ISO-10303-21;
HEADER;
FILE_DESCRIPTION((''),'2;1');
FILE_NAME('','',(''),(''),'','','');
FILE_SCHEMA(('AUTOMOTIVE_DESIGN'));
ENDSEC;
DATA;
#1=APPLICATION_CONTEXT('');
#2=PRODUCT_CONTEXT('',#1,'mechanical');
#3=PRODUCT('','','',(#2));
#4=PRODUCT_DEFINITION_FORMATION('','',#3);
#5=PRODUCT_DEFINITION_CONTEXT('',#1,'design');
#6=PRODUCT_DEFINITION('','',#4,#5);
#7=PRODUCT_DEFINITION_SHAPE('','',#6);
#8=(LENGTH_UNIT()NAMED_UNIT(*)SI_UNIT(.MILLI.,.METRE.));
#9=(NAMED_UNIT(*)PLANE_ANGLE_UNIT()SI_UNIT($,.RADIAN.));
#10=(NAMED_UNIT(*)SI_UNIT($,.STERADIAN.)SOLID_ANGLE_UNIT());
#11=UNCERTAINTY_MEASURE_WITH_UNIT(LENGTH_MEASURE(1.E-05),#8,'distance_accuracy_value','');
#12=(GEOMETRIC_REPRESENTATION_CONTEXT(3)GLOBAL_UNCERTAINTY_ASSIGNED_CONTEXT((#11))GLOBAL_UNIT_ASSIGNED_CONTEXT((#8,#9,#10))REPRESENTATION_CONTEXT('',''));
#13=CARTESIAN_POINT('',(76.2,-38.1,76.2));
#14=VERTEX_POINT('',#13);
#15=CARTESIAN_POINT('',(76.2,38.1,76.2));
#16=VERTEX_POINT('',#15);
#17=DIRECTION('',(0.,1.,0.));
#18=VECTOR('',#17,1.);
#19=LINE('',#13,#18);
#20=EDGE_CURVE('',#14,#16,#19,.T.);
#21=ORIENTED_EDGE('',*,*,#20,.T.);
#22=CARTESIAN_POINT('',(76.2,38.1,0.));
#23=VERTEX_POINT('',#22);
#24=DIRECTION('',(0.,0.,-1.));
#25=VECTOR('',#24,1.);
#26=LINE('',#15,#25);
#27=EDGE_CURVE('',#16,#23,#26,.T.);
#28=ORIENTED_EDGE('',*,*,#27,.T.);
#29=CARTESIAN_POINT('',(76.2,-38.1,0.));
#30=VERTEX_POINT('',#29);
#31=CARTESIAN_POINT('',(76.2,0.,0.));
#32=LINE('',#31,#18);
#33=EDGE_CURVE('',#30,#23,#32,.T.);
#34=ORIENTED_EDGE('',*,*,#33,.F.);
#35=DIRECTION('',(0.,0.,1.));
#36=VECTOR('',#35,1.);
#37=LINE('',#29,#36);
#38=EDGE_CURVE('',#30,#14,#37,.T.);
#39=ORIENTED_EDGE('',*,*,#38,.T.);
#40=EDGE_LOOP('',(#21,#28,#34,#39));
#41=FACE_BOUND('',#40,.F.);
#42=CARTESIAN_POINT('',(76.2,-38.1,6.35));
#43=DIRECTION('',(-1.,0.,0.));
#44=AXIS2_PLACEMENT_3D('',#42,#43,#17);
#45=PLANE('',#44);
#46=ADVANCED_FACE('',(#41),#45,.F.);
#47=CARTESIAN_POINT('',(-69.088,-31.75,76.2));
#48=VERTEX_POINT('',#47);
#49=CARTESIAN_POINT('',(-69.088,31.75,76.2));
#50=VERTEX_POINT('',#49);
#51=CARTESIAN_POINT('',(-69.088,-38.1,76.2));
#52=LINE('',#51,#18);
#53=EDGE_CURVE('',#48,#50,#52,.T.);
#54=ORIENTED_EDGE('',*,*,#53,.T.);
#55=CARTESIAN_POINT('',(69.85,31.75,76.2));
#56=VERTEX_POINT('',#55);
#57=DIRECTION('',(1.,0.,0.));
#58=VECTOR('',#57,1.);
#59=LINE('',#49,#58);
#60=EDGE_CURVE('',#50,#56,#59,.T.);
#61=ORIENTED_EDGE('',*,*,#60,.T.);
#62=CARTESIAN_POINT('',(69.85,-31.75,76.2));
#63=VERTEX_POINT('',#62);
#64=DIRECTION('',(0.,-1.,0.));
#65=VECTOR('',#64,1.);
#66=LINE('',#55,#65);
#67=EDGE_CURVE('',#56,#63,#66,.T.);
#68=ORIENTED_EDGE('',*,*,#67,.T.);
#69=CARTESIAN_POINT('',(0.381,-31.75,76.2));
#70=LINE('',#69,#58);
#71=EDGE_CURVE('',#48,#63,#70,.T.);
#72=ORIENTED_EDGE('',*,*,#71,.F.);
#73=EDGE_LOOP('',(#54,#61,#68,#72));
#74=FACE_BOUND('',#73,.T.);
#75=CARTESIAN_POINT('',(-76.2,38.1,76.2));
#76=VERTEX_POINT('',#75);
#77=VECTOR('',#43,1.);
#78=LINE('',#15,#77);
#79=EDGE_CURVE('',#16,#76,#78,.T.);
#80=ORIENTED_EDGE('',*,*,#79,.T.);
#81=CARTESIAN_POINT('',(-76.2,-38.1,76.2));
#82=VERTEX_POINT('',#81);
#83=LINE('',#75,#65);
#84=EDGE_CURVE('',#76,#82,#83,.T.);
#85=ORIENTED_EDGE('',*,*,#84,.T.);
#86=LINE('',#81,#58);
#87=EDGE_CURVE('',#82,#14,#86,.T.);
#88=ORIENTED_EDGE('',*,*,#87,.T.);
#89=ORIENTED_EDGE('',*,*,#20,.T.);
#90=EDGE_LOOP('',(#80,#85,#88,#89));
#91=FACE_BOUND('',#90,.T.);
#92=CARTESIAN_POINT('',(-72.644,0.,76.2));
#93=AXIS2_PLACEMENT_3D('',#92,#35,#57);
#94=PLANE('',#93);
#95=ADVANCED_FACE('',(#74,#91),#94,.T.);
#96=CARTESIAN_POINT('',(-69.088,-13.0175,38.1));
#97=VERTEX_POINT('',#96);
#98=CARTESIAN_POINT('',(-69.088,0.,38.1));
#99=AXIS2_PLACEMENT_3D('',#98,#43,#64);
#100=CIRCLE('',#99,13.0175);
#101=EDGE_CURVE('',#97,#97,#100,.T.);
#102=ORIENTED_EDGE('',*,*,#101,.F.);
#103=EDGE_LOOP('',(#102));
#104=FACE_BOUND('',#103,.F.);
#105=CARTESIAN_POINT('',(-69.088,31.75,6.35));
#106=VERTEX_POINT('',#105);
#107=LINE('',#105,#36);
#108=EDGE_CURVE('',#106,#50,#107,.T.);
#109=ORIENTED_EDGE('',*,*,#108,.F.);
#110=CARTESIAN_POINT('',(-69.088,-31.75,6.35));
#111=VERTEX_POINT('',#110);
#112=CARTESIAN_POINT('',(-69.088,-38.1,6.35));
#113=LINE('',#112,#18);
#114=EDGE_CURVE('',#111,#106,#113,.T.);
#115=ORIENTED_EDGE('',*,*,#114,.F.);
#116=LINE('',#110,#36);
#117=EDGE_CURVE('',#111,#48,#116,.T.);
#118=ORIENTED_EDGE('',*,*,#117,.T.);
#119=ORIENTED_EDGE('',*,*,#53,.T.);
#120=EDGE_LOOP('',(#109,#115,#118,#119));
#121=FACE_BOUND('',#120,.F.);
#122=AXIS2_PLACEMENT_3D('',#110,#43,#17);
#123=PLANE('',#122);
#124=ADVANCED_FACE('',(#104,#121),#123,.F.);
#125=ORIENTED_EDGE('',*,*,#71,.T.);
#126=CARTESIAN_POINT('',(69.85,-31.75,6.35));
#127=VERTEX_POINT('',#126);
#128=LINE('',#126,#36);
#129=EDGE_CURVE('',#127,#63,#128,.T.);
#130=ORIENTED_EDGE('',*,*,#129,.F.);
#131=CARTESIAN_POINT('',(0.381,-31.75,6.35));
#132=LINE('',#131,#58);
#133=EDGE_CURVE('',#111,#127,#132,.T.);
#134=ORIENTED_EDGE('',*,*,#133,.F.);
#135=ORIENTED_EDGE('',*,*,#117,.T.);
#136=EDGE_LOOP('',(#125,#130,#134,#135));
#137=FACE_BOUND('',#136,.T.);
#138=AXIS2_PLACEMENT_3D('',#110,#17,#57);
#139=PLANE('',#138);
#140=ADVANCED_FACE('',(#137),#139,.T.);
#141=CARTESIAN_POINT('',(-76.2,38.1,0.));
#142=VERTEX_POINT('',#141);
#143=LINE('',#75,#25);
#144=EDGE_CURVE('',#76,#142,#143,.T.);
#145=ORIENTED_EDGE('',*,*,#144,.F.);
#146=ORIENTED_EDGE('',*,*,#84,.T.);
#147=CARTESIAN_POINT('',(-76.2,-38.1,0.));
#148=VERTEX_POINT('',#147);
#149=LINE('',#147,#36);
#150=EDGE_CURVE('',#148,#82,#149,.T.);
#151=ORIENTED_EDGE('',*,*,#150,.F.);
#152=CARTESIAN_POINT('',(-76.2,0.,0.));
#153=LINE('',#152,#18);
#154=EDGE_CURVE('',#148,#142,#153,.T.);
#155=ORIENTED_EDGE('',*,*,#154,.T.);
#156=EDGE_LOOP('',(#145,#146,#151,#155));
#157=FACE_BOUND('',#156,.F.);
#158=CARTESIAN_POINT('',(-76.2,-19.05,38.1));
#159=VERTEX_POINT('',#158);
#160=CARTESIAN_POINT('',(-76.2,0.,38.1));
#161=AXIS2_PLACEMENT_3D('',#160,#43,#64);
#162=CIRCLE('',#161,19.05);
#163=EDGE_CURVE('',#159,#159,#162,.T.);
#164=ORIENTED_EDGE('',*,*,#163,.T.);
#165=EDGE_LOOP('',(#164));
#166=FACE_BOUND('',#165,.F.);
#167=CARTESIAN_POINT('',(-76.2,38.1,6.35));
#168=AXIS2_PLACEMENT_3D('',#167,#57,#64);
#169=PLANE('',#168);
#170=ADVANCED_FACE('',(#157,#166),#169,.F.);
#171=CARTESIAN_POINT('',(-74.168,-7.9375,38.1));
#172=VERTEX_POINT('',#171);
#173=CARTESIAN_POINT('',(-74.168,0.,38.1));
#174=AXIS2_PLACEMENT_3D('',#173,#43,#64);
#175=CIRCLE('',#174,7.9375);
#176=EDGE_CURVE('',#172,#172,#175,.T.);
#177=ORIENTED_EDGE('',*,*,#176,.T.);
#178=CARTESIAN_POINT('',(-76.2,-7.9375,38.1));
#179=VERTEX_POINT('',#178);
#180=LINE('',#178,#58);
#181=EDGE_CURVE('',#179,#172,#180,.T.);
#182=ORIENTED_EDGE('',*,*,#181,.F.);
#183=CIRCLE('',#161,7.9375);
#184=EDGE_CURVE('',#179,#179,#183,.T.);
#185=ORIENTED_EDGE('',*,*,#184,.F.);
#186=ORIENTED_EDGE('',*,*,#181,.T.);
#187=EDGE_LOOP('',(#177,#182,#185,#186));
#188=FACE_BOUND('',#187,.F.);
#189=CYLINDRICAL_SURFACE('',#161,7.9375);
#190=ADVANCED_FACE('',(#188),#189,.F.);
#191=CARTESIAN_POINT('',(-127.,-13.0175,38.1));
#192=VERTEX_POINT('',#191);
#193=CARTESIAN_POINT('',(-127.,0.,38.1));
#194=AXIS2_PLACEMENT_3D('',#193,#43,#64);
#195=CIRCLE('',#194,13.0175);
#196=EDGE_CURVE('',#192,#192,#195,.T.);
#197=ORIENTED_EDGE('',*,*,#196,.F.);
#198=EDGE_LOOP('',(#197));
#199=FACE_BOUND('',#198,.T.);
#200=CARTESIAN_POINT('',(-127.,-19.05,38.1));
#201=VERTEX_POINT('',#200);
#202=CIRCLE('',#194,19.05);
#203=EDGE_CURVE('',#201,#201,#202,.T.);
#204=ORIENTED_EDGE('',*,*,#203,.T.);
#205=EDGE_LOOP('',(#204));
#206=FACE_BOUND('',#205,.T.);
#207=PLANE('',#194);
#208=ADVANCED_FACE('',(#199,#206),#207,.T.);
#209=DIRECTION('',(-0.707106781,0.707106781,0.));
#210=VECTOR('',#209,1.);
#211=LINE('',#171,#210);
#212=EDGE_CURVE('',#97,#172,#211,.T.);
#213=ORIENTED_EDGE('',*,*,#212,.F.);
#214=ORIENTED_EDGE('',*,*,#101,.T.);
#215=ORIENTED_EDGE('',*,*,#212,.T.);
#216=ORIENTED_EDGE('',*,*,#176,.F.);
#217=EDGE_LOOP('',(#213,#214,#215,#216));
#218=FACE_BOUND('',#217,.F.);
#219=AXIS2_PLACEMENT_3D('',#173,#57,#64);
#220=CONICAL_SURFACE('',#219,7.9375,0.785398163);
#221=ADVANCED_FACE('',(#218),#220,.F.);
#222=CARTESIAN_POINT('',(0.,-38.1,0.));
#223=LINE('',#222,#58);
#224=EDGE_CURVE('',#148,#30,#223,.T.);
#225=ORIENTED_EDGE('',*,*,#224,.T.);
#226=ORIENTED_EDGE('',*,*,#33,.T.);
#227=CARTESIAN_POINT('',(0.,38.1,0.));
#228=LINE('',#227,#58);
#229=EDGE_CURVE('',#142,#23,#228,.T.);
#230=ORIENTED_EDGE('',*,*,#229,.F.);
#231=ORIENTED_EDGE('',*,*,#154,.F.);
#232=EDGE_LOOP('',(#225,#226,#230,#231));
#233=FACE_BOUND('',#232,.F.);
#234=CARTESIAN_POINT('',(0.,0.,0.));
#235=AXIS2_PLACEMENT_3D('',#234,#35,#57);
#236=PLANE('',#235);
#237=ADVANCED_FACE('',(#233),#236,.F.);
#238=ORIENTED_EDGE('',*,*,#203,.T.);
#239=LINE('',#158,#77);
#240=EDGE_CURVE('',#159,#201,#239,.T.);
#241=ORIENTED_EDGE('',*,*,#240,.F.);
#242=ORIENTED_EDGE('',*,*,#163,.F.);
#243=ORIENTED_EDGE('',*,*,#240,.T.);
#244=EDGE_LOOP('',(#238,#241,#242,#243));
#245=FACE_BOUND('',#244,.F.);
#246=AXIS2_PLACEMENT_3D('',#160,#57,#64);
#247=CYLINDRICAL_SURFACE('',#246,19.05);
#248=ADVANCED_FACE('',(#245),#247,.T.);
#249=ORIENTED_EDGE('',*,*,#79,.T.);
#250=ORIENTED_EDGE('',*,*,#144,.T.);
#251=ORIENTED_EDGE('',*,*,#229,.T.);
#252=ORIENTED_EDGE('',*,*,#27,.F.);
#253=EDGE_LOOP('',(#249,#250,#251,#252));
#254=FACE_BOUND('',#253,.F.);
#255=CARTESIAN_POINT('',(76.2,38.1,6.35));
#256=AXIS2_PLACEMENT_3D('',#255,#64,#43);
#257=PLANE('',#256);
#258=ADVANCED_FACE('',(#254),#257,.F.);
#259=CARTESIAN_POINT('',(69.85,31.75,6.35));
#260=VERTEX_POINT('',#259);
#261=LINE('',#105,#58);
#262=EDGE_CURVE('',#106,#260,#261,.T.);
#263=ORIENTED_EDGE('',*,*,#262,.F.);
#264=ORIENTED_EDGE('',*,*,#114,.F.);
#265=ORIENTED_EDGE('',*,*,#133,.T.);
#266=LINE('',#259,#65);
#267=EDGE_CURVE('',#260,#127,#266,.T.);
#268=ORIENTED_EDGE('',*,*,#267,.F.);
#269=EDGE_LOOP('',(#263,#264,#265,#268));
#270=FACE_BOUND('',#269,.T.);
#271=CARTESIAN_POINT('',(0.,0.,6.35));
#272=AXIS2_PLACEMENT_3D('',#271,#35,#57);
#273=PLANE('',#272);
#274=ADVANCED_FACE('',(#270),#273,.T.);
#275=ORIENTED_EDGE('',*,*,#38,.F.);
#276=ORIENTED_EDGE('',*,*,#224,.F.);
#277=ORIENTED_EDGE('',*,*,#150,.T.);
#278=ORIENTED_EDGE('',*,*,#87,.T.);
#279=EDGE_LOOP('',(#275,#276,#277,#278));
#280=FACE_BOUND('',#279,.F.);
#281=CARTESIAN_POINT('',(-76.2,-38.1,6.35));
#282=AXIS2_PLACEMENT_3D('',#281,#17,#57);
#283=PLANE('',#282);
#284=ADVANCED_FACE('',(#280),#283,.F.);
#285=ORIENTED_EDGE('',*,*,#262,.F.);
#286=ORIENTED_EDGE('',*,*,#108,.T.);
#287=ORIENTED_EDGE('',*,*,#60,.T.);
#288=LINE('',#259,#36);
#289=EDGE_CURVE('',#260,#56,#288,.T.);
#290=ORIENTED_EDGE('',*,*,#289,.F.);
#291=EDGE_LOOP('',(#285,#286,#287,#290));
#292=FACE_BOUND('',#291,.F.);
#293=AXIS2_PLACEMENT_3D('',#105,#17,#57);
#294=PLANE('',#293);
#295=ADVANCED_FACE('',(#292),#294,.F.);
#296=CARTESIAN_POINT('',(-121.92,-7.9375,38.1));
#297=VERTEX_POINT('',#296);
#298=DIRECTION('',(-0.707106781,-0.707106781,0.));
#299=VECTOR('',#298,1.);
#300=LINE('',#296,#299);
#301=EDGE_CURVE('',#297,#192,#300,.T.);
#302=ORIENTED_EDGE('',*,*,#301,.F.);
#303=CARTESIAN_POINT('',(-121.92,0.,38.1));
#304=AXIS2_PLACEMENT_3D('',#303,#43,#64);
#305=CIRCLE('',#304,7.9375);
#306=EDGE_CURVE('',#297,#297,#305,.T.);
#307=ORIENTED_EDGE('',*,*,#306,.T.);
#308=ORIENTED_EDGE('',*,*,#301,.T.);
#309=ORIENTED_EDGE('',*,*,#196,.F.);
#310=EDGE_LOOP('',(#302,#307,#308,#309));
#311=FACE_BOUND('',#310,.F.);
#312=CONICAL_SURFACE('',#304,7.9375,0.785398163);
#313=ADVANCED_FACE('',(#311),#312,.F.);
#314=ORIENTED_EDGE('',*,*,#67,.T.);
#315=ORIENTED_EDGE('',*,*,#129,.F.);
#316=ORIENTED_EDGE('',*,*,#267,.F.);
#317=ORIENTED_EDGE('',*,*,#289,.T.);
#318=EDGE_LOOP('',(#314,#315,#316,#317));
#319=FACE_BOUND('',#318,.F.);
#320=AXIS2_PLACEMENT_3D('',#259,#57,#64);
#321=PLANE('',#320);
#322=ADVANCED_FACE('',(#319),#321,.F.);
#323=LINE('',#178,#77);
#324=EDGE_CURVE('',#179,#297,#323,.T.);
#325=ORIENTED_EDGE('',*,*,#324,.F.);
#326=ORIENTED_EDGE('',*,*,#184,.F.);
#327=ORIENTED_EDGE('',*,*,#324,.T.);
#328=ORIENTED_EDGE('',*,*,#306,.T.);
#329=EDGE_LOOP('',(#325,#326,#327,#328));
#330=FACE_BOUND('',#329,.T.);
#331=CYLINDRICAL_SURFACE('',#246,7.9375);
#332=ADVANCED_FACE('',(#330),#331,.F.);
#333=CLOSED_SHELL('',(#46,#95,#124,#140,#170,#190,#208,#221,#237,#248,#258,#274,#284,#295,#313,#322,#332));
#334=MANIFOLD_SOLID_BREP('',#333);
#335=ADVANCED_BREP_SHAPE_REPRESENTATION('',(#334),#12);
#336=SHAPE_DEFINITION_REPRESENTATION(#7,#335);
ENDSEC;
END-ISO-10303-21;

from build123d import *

# Parameters (mm, degrees)
F0_W     = 152.4
F0_H     = 76.2
F1_DEPTH = 6.35
F2_W     = 138.938
F2_H     = 6.35
F3_DEPTH = 69.85
F4_R     = 19.05
F4_R_2   = 7.9375
F5_DEPTH = 50.8
F6_R     = 7.9375
F7_DEPTH = 7.62
F8_SIZE  = 5.08
F9_SIZE  = 5.08


with BuildPart() as f1:
    # F0 (on Top) → F1 (new body)
    with BuildSketch(Plane.XY):
        Rectangle(F0_W, F0_H)
    extrude(amount=F1_DEPTH)

    # F2 (on face) → F3 (join)
    with BuildSketch(Plane.XY.offset(6.35)):
        Polygon((-69.088, 38.1), (-76.2, 38.1), (-76.2, -38.1), (-69.088, -38.1), (-69.088, -31.75), (-69.088, 31.75), align=None)
        Polygon((76.2, 38.1), (-69.088, 38.1), (-69.088, 31.75), (69.85, 31.75), (76.2, 31.75), align=None)
        with Locations((0.381, -34.925)):
            Rectangle(F2_W, F2_H)
        Polygon((76.2, 31.75), (69.85, 31.75), (69.85, -31.75), (69.85, -38.1), (76.2, -38.1), align=None)
    extrude(amount=F3_DEPTH)

    # F4 (on face) → F5 (join)
    with BuildSketch(Plane(origin=(-76.2, 0, 0), x_dir=(0, -1, 0), z_dir=(-1, 0, 0))):
        with Locations((0, 38.1)):
            Circle(F4_R)
        with Locations((0, 38.1)):
            Circle(F4_R_2, mode=Mode.SUBTRACT)
    extrude(amount=F5_DEPTH)

    # F6 (on face) → F7 (cut)
    with BuildSketch(Plane(origin=(-76.2, 0, 0), x_dir=(0, -1, 0), z_dir=(-1, 0, 0))):
        with Locations((0, 38.1)):
            Circle(F6_R)
    extrude(amount=-F7_DEPTH, mode=Mode.SUBTRACT)

    # F8
    f8_edges = [f1.edges().sort_by_distance(p)[0] for p in [
        (-69.088, 7.9375, 38.1),
    ]]
    chamfer(f8_edges, length=F8_SIZE)

    # F9
    f9_edges = [f1.edges().sort_by_distance(p)[0] for p in [
        (-127, 7.9375, 38.1),
    ]]
    chamfer(f9_edges, length=F9_SIZE)


solid = f1.part
